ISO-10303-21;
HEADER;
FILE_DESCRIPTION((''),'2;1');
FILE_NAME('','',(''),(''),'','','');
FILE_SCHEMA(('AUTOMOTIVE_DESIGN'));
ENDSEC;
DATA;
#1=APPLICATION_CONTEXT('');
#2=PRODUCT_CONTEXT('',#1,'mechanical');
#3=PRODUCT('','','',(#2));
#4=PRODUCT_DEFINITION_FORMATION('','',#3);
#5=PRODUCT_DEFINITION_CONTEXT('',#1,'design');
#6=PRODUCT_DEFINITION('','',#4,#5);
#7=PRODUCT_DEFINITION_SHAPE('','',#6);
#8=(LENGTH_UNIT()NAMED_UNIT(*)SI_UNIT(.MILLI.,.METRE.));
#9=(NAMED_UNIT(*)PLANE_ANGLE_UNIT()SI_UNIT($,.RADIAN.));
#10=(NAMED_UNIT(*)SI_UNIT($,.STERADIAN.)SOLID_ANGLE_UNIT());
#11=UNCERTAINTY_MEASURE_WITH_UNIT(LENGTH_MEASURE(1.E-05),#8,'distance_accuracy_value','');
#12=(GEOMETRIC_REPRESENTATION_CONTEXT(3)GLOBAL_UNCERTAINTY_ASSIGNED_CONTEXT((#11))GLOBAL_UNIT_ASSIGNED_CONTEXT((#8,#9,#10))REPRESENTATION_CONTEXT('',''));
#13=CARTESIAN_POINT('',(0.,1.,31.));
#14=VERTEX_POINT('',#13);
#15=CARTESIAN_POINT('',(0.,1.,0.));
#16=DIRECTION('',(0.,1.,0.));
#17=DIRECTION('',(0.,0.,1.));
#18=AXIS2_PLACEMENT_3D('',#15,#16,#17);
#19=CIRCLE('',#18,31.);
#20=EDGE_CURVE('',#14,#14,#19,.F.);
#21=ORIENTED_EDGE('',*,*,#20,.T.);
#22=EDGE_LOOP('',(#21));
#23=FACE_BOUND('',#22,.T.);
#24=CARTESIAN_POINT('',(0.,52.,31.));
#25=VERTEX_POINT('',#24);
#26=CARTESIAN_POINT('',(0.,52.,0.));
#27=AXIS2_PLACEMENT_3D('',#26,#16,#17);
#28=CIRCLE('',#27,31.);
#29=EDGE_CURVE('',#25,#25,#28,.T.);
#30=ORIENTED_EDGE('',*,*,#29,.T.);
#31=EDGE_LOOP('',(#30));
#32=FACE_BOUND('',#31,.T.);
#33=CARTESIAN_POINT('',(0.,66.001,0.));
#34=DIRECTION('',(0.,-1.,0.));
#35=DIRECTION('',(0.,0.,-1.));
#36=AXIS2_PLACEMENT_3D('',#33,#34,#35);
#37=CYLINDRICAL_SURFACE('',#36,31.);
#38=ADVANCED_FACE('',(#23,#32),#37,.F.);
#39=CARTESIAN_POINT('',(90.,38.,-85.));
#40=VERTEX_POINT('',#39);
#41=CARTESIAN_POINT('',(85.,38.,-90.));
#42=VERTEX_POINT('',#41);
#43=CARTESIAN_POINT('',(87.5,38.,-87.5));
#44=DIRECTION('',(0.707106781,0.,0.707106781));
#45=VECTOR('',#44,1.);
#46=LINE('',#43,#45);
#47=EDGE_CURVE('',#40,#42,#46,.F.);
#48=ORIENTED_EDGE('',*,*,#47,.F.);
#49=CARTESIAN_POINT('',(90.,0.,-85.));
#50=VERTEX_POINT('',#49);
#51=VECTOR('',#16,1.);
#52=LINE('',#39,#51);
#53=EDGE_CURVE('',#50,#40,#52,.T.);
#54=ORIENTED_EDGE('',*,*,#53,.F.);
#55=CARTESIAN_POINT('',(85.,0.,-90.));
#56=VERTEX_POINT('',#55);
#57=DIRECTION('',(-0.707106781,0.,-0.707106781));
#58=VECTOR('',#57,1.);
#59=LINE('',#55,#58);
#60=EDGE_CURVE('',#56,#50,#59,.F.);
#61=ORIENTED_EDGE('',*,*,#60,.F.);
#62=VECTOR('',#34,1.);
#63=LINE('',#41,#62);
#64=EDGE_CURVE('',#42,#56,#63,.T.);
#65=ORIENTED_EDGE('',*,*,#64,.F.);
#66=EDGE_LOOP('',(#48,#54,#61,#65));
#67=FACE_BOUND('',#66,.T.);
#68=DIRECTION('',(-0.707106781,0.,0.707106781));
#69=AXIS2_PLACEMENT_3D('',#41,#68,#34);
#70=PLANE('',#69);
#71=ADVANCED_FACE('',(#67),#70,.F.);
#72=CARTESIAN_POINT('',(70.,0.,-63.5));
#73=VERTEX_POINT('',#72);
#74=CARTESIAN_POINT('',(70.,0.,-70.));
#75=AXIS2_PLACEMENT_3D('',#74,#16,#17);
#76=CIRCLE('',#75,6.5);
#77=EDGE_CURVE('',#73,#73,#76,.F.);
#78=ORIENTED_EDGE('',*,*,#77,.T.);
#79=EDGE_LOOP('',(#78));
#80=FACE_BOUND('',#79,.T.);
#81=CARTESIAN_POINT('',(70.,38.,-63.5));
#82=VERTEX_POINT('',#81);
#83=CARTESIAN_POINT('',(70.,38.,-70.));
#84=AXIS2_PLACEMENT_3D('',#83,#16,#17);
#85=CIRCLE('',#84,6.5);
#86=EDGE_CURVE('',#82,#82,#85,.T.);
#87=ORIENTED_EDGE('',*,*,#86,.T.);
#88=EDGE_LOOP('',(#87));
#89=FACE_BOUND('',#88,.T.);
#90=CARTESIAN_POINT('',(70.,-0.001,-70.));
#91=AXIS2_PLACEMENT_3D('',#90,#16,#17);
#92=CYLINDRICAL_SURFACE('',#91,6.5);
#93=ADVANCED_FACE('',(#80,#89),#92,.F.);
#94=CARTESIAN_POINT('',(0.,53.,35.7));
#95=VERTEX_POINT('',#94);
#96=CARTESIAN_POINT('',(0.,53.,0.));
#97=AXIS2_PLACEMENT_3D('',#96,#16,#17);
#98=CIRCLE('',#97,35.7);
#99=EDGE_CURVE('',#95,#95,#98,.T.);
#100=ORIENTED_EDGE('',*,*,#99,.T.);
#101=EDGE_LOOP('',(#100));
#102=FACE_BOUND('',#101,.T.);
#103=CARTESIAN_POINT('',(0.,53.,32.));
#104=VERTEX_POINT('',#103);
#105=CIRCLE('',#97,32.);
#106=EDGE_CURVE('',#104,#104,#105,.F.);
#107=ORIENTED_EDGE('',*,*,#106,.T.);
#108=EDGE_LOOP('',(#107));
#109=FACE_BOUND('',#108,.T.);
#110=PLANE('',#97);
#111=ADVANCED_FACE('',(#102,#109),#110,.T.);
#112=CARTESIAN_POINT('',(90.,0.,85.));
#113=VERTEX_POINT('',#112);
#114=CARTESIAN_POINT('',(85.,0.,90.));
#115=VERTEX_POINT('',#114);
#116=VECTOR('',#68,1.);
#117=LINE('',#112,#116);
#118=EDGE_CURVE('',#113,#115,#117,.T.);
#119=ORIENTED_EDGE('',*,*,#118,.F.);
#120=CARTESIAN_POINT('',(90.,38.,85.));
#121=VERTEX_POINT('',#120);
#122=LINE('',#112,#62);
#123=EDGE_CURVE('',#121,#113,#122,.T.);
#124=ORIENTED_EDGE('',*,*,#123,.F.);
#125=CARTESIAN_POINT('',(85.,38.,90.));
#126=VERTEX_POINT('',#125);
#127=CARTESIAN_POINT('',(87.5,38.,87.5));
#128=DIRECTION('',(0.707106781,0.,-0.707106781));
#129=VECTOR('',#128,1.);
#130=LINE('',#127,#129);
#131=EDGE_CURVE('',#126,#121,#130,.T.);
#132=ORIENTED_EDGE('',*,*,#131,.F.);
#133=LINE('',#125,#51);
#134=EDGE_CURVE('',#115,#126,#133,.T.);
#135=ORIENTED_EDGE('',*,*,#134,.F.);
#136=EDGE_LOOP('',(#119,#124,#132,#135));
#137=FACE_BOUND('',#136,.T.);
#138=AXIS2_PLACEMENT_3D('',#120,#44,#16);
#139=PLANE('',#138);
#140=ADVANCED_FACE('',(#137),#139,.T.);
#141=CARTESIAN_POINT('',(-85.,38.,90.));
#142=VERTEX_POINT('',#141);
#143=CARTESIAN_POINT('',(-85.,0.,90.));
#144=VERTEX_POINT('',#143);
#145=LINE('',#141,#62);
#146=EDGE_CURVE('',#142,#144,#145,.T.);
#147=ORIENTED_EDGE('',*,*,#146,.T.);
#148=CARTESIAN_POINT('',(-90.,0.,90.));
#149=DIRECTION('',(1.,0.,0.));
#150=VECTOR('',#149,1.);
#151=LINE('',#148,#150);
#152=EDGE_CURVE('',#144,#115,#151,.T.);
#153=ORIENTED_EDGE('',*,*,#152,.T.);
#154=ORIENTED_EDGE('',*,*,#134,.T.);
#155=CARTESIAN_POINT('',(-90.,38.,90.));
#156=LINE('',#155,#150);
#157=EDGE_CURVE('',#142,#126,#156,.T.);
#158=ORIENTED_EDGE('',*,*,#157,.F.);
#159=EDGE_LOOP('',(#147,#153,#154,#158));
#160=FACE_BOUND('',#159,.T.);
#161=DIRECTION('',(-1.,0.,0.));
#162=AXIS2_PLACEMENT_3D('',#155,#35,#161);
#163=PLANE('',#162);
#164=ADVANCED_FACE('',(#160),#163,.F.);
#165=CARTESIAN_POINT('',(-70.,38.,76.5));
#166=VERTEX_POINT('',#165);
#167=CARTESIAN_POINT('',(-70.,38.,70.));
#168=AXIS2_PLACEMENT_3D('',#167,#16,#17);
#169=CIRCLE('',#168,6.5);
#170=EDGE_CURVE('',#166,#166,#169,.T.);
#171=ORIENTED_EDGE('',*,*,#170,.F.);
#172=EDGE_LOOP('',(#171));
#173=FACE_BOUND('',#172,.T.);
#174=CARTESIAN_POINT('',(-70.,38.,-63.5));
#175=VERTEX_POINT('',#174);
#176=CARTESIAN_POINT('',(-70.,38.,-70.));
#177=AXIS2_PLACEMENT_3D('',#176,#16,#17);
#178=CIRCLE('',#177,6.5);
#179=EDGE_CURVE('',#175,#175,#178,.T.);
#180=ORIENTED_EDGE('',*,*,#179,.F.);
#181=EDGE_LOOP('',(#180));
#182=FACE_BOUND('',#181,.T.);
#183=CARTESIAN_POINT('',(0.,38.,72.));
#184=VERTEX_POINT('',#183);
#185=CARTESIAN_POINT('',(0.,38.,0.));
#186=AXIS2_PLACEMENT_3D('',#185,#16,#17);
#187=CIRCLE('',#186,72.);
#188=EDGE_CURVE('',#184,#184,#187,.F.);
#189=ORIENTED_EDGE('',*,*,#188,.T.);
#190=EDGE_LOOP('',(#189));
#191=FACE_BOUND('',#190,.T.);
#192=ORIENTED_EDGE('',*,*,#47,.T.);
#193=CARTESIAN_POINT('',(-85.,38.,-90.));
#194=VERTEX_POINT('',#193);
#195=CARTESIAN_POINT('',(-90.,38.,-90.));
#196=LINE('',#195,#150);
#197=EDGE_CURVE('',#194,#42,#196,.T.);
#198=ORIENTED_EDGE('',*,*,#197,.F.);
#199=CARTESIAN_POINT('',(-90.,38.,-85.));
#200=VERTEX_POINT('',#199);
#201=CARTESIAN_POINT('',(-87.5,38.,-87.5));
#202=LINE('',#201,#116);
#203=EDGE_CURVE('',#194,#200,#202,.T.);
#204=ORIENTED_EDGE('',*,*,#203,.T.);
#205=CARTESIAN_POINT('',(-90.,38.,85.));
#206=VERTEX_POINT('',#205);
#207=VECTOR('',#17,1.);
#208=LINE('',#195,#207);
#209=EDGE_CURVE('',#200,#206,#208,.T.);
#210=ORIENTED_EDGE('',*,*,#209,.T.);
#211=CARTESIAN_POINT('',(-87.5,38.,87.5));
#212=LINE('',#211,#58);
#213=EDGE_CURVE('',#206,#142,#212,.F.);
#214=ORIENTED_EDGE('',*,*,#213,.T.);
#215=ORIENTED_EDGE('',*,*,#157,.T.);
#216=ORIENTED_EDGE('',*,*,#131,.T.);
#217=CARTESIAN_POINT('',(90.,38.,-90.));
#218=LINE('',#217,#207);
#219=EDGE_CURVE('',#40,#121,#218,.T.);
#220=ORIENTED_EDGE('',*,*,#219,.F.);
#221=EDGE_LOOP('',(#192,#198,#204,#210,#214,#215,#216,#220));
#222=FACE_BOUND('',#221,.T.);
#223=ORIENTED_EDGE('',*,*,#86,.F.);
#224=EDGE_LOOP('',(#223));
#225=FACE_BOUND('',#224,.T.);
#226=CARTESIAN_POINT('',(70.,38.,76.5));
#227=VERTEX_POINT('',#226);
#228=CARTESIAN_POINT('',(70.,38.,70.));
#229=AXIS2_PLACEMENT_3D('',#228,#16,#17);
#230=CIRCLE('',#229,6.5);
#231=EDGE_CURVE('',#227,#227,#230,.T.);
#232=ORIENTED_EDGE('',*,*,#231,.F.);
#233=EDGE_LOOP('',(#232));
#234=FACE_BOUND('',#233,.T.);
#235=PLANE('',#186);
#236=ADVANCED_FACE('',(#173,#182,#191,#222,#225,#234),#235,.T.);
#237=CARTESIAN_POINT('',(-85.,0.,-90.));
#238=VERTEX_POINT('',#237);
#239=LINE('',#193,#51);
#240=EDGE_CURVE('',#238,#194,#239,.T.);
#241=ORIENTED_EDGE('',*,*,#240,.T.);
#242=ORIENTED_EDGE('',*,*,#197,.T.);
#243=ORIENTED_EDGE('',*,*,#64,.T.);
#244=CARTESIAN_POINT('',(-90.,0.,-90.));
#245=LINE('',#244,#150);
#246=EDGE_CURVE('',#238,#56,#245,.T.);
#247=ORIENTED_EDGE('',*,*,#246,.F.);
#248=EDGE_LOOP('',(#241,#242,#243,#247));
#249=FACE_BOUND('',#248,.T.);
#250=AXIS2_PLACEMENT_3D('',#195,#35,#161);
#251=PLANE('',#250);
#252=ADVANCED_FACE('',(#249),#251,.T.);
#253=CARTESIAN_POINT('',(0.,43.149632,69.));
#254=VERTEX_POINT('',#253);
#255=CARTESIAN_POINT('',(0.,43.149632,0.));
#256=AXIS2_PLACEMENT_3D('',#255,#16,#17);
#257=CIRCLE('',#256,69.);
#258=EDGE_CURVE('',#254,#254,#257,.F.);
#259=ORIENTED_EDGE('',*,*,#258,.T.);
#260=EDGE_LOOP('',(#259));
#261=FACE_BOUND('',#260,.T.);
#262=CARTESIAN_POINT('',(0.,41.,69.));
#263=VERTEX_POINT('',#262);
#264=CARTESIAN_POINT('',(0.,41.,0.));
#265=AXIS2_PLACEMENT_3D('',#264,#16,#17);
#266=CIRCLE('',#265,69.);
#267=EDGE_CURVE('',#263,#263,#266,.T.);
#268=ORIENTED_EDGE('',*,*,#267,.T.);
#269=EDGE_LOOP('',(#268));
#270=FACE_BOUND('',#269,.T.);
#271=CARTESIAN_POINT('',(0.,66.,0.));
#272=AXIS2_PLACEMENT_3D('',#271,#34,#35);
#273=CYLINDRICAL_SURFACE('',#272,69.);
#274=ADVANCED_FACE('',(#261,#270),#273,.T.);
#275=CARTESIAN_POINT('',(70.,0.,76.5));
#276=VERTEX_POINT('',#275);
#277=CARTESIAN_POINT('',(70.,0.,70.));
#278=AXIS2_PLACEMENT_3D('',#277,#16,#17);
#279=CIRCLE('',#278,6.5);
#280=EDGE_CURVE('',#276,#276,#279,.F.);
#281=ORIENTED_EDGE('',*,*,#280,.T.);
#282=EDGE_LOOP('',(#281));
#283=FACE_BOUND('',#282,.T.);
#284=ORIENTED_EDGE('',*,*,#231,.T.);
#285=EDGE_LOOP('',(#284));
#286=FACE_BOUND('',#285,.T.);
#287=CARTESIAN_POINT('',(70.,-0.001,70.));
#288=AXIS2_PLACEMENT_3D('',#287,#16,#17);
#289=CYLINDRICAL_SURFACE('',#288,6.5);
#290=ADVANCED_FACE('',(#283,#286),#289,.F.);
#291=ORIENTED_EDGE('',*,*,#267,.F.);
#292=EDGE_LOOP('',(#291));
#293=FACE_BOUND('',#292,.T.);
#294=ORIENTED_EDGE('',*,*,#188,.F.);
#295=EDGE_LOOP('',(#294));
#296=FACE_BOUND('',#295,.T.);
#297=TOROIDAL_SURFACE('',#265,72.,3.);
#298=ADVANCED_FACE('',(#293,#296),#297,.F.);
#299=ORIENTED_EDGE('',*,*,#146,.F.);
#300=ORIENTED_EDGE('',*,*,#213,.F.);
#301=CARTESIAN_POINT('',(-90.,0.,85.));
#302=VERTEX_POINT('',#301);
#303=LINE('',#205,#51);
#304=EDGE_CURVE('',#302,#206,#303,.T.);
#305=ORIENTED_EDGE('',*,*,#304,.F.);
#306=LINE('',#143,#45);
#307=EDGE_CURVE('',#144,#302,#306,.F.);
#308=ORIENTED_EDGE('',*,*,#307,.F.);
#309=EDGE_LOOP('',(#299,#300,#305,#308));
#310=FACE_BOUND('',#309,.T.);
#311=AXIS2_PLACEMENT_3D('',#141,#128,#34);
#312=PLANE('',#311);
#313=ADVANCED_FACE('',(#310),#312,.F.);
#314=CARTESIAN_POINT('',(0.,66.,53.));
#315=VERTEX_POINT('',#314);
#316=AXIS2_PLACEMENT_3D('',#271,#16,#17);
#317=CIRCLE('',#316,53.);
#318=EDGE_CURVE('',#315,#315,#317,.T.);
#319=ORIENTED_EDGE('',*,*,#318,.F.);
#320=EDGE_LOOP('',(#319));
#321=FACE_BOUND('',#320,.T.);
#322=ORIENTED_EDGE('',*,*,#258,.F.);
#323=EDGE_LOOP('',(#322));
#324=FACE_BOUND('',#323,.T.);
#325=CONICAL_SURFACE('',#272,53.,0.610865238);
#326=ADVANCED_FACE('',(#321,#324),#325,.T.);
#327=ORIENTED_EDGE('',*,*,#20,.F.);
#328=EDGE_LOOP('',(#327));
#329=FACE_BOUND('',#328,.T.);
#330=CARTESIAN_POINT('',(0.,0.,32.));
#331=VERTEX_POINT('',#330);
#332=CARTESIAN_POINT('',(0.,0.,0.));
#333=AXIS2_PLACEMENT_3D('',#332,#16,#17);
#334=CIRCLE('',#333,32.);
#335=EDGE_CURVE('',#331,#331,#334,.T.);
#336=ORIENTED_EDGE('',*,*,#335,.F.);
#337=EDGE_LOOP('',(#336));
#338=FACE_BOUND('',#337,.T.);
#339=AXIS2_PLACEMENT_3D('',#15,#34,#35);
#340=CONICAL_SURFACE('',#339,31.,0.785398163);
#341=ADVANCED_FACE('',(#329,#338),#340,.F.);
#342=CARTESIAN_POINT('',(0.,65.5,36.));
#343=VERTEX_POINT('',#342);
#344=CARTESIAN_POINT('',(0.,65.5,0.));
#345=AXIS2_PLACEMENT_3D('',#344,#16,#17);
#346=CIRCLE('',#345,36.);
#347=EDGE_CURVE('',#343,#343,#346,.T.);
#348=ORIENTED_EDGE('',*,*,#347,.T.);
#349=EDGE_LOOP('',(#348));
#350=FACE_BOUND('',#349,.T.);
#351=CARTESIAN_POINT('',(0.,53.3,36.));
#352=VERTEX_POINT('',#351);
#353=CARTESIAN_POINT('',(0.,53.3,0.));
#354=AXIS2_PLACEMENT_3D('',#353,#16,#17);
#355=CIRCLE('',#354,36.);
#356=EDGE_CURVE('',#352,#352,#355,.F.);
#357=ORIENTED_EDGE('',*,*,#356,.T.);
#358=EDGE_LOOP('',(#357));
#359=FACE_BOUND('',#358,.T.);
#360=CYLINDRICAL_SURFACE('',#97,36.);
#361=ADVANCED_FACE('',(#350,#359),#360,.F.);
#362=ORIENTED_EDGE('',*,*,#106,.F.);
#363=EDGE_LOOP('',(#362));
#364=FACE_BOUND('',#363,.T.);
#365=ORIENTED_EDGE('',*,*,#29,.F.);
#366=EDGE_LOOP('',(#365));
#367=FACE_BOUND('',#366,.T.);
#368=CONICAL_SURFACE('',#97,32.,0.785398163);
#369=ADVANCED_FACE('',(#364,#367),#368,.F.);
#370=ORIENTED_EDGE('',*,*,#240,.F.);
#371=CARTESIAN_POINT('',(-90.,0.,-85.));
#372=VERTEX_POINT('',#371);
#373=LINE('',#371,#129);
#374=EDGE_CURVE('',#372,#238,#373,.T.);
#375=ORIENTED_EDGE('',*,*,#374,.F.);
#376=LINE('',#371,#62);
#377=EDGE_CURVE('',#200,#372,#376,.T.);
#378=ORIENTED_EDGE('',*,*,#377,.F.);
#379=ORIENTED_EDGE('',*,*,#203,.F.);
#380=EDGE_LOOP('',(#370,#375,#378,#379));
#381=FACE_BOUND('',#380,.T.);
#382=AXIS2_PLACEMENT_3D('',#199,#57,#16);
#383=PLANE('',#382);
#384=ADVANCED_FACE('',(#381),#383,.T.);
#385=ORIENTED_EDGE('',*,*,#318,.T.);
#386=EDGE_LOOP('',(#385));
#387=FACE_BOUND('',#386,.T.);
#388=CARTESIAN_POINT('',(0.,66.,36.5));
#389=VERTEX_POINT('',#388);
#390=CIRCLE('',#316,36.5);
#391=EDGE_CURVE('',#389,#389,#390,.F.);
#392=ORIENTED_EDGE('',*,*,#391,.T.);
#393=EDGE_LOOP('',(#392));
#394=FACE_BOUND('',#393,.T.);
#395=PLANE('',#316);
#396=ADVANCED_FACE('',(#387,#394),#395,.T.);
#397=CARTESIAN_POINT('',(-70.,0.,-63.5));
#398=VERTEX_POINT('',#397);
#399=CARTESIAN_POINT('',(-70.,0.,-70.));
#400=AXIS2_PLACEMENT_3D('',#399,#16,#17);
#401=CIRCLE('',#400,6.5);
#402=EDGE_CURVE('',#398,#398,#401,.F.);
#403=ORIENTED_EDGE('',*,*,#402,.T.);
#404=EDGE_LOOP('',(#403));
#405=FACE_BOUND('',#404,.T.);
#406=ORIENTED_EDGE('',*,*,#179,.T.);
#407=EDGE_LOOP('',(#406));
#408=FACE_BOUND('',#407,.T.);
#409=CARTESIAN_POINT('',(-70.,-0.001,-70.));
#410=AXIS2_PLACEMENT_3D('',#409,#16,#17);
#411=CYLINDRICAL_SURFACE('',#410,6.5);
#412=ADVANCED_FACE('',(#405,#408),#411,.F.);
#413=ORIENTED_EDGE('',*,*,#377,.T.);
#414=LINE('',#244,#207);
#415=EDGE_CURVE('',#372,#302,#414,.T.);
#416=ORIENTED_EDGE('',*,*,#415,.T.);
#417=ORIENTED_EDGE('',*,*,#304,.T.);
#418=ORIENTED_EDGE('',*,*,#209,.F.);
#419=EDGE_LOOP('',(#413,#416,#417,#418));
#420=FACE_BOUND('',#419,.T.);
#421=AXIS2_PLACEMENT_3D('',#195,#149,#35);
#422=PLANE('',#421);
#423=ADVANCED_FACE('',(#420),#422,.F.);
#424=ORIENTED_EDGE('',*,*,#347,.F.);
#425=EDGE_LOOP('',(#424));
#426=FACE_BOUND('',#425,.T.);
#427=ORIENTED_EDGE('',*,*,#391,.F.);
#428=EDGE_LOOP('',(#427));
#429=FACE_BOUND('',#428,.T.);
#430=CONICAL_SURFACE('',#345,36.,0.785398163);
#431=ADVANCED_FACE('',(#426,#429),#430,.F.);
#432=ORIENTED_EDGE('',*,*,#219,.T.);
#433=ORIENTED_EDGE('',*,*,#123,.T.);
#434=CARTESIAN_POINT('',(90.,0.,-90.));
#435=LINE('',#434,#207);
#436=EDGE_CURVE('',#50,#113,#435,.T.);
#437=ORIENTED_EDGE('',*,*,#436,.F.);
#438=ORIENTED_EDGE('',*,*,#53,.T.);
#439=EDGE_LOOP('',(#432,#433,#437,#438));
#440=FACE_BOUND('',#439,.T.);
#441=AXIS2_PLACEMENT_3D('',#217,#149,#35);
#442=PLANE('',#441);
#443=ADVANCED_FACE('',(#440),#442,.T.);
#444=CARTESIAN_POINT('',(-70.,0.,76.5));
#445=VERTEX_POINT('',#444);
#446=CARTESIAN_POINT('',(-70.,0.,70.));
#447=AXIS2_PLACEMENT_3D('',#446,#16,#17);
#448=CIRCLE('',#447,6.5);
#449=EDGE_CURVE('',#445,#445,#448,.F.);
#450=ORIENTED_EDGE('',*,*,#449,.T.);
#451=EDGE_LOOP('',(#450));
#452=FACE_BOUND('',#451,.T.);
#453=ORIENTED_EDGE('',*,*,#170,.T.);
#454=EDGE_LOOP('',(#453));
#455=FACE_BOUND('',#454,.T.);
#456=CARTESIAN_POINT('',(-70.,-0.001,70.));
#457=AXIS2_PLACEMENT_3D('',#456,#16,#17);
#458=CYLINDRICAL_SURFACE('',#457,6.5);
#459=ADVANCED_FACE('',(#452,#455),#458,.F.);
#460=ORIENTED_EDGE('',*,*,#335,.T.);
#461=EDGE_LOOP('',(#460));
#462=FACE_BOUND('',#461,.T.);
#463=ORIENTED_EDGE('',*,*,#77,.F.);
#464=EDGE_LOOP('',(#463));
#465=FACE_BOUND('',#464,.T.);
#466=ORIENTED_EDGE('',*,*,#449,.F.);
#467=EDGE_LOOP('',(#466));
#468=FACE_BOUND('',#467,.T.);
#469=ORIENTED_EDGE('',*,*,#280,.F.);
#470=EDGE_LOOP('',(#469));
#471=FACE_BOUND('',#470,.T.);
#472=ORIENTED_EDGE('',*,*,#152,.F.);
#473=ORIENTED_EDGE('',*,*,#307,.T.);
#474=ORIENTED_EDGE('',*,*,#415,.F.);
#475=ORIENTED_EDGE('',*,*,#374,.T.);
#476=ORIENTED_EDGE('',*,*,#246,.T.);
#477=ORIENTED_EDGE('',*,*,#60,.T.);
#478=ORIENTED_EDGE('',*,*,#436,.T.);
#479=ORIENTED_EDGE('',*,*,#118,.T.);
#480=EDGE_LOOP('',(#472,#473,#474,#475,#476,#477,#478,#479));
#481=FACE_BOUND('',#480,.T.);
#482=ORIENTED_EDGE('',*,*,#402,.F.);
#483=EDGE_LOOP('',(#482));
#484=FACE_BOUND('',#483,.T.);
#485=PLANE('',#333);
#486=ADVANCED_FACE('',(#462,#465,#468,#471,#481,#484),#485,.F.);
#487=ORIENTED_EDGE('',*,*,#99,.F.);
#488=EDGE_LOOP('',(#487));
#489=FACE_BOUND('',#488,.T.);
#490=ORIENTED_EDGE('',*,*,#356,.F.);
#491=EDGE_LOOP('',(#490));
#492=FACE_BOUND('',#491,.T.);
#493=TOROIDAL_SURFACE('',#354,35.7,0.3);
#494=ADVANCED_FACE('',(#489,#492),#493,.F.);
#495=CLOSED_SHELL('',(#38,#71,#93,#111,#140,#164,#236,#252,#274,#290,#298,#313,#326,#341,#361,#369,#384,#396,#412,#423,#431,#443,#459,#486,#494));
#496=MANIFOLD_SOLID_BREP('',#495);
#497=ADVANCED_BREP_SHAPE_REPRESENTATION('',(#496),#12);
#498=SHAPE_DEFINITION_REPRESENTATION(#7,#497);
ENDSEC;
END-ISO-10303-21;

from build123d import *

# Parameters (mm, degrees)
SKETCH1_W            = 180
SKETCH1_H            = 180
BOSS_EXTRUDE1_DEPTH  = 38
SKETCH2_R            = 69
BOSS_EXTRUDE2_DEPTH  = 28
CHAMFER3_SIZE        = 16
CHAMFER3_SIZE2       = 22.850368108
SKETCH3_R            = 36
CUT_EXTRUDE1_DEPTH   = 13
CUT_EXTRUDE2_REACH   = 145.374
SKETCH4_R            = 31
CUT_EXTRUDE3_REACH   = 134.831
SKETCH5_R            = 6.5
LPATTERN1_COUNT      = 2
LPATTERN1_PITCH      = 140
LPATTERN1_COUNT_DIR2 = 2
LPATTERN1_PITCH_DIR2 = 140
CHAMFER4_SIZE        = 5
CHAMFER5_SIZE        = 1
CHAMFER6_SIZE        = 0.5
FILLET1_R            = 0.3
FILLET2_R            = 3


with BuildPart() as part:
    # Sketch1 → Boss-Extrude1 (new body)
    with BuildSketch(Plane(origin=(0, 0, 0), x_dir=(1, 0, 0), z_dir=(0, 1, 0))):
        Rectangle(SKETCH1_W, SKETCH1_H)
    extrude(amount=BOSS_EXTRUDE1_DEPTH)

    # Sketch2 → Boss-Extrude2 (add)
    with BuildSketch(Plane(origin=(0, 38, 0), x_dir=(1, 0, 0), z_dir=(0, 1, 0))):
        Circle(SKETCH2_R)
    extrude(amount=BOSS_EXTRUDE2_DEPTH)

    # Chamfer3
    chamfer3_edges = [part.edges().sort_by_distance(p)[0] for p in [
        (-69, 66, 0),
    ]]
    chamfer3_side = [part.faces().sort_by_distance(p)[0] for p in [
        (0, 66, 0),
    ]]
    chamfer(chamfer3_edges, length=CHAMFER3_SIZE, length2=CHAMFER3_SIZE2, reference=chamfer3_side[0])

    # Sketch3 → Cut-Extrude1 (cut)
    with BuildSketch(Plane(origin=(0, 66, 0), x_dir=(1, 0, 0), z_dir=(0, 1, 0))):
        Circle(SKETCH3_R)
    extrude(amount=-CUT_EXTRUDE1_DEPTH, mode=Mode.SUBTRACT)

    # Sketch4 → Cut-Extrude2 (cut, up to next)
    with BuildSketch(Plane(origin=(0, 0, 0), x_dir=(-1, 0, 0), z_dir=(0, -1, 0)), mode=Mode.PRIVATE) as cut_extrude2_sk1:
        Circle(SKETCH4_R)
    cut_extrude2_tool1 = extrude(cut_extrude2_sk1.sketch, amount=-CUT_EXTRUDE2_REACH, mode=Mode.PRIVATE) & part.part
    add(cut_extrude2_tool1.solids().sort_by_distance((0, 0, 0))[0], mode=Mode.SUBTRACT)

    # Sketch5 → Cut-Extrude3 (cut, up to next)
    with BuildSketch(Plane(origin=(0, 38, 0), x_dir=(1, 0, 0), z_dir=(0, 1, 0)), mode=Mode.PRIVATE) as cut_extrude3_sk1:
        with Locations((-70, 70)):
            Circle(SKETCH5_R)
    cut_extrude3_tool1 = extrude(cut_extrude3_sk1.sketch, amount=-CUT_EXTRUDE3_REACH, mode=Mode.PRIVATE) & part.part
    cut_extrude3 = cut_extrude3_tool1.solids().sort_by_distance((-70, 38, -70))[0]
    add(cut_extrude3, mode=Mode.SUBTRACT)

    # LPattern1: Cut-Extrude3 2 × 2
    with Locations(*[(i * LPATTERN1_PITCH, 0, j * LPATTERN1_PITCH_DIR2) for i in range(LPATTERN1_COUNT) for j in range(LPATTERN1_COUNT_DIR2) if (i, j) != (0, 0)]):
        add(cut_extrude3, mode=Mode.SUBTRACT)

    # Chamfer4
    chamfer4_edges = [part.edges().sort_by_distance(p)[0] for p in [
        (-90, 19, -90),
        (90, 19, -90),
        (-90, 19, 90),
        (90, 19, 90),
    ]]
    chamfer(chamfer4_edges, length=CHAMFER4_SIZE)

    # Chamfer5
    chamfer5_edges = [part.edges().sort_by_distance(p)[0] for p in [
        (31, 0, 0),
        (31, 53, 0),
    ]]
    chamfer(chamfer5_edges, length=CHAMFER5_SIZE)

    # Chamfer6
    chamfer6_edges = [part.edges().sort_by_distance(p)[0] for p in [
        (-36, 66, 0),
    ]]
    chamfer(chamfer6_edges, length=CHAMFER6_SIZE)

    # Fillet1
    fillet1_edges = [part.edges().sort_by_distance(p)[0] for p in [
        (-36, 53, 0),
    ]]
    fillet(fillet1_edges, radius=FILLET1_R)

    # Fillet2
    fillet2_edges = [part.edges().sort_by_distance(p)[0] for p in [
        (-69, 38, 0),
    ]]
    fillet(fillet2_edges, radius=FILLET2_R)


solid = part.part
